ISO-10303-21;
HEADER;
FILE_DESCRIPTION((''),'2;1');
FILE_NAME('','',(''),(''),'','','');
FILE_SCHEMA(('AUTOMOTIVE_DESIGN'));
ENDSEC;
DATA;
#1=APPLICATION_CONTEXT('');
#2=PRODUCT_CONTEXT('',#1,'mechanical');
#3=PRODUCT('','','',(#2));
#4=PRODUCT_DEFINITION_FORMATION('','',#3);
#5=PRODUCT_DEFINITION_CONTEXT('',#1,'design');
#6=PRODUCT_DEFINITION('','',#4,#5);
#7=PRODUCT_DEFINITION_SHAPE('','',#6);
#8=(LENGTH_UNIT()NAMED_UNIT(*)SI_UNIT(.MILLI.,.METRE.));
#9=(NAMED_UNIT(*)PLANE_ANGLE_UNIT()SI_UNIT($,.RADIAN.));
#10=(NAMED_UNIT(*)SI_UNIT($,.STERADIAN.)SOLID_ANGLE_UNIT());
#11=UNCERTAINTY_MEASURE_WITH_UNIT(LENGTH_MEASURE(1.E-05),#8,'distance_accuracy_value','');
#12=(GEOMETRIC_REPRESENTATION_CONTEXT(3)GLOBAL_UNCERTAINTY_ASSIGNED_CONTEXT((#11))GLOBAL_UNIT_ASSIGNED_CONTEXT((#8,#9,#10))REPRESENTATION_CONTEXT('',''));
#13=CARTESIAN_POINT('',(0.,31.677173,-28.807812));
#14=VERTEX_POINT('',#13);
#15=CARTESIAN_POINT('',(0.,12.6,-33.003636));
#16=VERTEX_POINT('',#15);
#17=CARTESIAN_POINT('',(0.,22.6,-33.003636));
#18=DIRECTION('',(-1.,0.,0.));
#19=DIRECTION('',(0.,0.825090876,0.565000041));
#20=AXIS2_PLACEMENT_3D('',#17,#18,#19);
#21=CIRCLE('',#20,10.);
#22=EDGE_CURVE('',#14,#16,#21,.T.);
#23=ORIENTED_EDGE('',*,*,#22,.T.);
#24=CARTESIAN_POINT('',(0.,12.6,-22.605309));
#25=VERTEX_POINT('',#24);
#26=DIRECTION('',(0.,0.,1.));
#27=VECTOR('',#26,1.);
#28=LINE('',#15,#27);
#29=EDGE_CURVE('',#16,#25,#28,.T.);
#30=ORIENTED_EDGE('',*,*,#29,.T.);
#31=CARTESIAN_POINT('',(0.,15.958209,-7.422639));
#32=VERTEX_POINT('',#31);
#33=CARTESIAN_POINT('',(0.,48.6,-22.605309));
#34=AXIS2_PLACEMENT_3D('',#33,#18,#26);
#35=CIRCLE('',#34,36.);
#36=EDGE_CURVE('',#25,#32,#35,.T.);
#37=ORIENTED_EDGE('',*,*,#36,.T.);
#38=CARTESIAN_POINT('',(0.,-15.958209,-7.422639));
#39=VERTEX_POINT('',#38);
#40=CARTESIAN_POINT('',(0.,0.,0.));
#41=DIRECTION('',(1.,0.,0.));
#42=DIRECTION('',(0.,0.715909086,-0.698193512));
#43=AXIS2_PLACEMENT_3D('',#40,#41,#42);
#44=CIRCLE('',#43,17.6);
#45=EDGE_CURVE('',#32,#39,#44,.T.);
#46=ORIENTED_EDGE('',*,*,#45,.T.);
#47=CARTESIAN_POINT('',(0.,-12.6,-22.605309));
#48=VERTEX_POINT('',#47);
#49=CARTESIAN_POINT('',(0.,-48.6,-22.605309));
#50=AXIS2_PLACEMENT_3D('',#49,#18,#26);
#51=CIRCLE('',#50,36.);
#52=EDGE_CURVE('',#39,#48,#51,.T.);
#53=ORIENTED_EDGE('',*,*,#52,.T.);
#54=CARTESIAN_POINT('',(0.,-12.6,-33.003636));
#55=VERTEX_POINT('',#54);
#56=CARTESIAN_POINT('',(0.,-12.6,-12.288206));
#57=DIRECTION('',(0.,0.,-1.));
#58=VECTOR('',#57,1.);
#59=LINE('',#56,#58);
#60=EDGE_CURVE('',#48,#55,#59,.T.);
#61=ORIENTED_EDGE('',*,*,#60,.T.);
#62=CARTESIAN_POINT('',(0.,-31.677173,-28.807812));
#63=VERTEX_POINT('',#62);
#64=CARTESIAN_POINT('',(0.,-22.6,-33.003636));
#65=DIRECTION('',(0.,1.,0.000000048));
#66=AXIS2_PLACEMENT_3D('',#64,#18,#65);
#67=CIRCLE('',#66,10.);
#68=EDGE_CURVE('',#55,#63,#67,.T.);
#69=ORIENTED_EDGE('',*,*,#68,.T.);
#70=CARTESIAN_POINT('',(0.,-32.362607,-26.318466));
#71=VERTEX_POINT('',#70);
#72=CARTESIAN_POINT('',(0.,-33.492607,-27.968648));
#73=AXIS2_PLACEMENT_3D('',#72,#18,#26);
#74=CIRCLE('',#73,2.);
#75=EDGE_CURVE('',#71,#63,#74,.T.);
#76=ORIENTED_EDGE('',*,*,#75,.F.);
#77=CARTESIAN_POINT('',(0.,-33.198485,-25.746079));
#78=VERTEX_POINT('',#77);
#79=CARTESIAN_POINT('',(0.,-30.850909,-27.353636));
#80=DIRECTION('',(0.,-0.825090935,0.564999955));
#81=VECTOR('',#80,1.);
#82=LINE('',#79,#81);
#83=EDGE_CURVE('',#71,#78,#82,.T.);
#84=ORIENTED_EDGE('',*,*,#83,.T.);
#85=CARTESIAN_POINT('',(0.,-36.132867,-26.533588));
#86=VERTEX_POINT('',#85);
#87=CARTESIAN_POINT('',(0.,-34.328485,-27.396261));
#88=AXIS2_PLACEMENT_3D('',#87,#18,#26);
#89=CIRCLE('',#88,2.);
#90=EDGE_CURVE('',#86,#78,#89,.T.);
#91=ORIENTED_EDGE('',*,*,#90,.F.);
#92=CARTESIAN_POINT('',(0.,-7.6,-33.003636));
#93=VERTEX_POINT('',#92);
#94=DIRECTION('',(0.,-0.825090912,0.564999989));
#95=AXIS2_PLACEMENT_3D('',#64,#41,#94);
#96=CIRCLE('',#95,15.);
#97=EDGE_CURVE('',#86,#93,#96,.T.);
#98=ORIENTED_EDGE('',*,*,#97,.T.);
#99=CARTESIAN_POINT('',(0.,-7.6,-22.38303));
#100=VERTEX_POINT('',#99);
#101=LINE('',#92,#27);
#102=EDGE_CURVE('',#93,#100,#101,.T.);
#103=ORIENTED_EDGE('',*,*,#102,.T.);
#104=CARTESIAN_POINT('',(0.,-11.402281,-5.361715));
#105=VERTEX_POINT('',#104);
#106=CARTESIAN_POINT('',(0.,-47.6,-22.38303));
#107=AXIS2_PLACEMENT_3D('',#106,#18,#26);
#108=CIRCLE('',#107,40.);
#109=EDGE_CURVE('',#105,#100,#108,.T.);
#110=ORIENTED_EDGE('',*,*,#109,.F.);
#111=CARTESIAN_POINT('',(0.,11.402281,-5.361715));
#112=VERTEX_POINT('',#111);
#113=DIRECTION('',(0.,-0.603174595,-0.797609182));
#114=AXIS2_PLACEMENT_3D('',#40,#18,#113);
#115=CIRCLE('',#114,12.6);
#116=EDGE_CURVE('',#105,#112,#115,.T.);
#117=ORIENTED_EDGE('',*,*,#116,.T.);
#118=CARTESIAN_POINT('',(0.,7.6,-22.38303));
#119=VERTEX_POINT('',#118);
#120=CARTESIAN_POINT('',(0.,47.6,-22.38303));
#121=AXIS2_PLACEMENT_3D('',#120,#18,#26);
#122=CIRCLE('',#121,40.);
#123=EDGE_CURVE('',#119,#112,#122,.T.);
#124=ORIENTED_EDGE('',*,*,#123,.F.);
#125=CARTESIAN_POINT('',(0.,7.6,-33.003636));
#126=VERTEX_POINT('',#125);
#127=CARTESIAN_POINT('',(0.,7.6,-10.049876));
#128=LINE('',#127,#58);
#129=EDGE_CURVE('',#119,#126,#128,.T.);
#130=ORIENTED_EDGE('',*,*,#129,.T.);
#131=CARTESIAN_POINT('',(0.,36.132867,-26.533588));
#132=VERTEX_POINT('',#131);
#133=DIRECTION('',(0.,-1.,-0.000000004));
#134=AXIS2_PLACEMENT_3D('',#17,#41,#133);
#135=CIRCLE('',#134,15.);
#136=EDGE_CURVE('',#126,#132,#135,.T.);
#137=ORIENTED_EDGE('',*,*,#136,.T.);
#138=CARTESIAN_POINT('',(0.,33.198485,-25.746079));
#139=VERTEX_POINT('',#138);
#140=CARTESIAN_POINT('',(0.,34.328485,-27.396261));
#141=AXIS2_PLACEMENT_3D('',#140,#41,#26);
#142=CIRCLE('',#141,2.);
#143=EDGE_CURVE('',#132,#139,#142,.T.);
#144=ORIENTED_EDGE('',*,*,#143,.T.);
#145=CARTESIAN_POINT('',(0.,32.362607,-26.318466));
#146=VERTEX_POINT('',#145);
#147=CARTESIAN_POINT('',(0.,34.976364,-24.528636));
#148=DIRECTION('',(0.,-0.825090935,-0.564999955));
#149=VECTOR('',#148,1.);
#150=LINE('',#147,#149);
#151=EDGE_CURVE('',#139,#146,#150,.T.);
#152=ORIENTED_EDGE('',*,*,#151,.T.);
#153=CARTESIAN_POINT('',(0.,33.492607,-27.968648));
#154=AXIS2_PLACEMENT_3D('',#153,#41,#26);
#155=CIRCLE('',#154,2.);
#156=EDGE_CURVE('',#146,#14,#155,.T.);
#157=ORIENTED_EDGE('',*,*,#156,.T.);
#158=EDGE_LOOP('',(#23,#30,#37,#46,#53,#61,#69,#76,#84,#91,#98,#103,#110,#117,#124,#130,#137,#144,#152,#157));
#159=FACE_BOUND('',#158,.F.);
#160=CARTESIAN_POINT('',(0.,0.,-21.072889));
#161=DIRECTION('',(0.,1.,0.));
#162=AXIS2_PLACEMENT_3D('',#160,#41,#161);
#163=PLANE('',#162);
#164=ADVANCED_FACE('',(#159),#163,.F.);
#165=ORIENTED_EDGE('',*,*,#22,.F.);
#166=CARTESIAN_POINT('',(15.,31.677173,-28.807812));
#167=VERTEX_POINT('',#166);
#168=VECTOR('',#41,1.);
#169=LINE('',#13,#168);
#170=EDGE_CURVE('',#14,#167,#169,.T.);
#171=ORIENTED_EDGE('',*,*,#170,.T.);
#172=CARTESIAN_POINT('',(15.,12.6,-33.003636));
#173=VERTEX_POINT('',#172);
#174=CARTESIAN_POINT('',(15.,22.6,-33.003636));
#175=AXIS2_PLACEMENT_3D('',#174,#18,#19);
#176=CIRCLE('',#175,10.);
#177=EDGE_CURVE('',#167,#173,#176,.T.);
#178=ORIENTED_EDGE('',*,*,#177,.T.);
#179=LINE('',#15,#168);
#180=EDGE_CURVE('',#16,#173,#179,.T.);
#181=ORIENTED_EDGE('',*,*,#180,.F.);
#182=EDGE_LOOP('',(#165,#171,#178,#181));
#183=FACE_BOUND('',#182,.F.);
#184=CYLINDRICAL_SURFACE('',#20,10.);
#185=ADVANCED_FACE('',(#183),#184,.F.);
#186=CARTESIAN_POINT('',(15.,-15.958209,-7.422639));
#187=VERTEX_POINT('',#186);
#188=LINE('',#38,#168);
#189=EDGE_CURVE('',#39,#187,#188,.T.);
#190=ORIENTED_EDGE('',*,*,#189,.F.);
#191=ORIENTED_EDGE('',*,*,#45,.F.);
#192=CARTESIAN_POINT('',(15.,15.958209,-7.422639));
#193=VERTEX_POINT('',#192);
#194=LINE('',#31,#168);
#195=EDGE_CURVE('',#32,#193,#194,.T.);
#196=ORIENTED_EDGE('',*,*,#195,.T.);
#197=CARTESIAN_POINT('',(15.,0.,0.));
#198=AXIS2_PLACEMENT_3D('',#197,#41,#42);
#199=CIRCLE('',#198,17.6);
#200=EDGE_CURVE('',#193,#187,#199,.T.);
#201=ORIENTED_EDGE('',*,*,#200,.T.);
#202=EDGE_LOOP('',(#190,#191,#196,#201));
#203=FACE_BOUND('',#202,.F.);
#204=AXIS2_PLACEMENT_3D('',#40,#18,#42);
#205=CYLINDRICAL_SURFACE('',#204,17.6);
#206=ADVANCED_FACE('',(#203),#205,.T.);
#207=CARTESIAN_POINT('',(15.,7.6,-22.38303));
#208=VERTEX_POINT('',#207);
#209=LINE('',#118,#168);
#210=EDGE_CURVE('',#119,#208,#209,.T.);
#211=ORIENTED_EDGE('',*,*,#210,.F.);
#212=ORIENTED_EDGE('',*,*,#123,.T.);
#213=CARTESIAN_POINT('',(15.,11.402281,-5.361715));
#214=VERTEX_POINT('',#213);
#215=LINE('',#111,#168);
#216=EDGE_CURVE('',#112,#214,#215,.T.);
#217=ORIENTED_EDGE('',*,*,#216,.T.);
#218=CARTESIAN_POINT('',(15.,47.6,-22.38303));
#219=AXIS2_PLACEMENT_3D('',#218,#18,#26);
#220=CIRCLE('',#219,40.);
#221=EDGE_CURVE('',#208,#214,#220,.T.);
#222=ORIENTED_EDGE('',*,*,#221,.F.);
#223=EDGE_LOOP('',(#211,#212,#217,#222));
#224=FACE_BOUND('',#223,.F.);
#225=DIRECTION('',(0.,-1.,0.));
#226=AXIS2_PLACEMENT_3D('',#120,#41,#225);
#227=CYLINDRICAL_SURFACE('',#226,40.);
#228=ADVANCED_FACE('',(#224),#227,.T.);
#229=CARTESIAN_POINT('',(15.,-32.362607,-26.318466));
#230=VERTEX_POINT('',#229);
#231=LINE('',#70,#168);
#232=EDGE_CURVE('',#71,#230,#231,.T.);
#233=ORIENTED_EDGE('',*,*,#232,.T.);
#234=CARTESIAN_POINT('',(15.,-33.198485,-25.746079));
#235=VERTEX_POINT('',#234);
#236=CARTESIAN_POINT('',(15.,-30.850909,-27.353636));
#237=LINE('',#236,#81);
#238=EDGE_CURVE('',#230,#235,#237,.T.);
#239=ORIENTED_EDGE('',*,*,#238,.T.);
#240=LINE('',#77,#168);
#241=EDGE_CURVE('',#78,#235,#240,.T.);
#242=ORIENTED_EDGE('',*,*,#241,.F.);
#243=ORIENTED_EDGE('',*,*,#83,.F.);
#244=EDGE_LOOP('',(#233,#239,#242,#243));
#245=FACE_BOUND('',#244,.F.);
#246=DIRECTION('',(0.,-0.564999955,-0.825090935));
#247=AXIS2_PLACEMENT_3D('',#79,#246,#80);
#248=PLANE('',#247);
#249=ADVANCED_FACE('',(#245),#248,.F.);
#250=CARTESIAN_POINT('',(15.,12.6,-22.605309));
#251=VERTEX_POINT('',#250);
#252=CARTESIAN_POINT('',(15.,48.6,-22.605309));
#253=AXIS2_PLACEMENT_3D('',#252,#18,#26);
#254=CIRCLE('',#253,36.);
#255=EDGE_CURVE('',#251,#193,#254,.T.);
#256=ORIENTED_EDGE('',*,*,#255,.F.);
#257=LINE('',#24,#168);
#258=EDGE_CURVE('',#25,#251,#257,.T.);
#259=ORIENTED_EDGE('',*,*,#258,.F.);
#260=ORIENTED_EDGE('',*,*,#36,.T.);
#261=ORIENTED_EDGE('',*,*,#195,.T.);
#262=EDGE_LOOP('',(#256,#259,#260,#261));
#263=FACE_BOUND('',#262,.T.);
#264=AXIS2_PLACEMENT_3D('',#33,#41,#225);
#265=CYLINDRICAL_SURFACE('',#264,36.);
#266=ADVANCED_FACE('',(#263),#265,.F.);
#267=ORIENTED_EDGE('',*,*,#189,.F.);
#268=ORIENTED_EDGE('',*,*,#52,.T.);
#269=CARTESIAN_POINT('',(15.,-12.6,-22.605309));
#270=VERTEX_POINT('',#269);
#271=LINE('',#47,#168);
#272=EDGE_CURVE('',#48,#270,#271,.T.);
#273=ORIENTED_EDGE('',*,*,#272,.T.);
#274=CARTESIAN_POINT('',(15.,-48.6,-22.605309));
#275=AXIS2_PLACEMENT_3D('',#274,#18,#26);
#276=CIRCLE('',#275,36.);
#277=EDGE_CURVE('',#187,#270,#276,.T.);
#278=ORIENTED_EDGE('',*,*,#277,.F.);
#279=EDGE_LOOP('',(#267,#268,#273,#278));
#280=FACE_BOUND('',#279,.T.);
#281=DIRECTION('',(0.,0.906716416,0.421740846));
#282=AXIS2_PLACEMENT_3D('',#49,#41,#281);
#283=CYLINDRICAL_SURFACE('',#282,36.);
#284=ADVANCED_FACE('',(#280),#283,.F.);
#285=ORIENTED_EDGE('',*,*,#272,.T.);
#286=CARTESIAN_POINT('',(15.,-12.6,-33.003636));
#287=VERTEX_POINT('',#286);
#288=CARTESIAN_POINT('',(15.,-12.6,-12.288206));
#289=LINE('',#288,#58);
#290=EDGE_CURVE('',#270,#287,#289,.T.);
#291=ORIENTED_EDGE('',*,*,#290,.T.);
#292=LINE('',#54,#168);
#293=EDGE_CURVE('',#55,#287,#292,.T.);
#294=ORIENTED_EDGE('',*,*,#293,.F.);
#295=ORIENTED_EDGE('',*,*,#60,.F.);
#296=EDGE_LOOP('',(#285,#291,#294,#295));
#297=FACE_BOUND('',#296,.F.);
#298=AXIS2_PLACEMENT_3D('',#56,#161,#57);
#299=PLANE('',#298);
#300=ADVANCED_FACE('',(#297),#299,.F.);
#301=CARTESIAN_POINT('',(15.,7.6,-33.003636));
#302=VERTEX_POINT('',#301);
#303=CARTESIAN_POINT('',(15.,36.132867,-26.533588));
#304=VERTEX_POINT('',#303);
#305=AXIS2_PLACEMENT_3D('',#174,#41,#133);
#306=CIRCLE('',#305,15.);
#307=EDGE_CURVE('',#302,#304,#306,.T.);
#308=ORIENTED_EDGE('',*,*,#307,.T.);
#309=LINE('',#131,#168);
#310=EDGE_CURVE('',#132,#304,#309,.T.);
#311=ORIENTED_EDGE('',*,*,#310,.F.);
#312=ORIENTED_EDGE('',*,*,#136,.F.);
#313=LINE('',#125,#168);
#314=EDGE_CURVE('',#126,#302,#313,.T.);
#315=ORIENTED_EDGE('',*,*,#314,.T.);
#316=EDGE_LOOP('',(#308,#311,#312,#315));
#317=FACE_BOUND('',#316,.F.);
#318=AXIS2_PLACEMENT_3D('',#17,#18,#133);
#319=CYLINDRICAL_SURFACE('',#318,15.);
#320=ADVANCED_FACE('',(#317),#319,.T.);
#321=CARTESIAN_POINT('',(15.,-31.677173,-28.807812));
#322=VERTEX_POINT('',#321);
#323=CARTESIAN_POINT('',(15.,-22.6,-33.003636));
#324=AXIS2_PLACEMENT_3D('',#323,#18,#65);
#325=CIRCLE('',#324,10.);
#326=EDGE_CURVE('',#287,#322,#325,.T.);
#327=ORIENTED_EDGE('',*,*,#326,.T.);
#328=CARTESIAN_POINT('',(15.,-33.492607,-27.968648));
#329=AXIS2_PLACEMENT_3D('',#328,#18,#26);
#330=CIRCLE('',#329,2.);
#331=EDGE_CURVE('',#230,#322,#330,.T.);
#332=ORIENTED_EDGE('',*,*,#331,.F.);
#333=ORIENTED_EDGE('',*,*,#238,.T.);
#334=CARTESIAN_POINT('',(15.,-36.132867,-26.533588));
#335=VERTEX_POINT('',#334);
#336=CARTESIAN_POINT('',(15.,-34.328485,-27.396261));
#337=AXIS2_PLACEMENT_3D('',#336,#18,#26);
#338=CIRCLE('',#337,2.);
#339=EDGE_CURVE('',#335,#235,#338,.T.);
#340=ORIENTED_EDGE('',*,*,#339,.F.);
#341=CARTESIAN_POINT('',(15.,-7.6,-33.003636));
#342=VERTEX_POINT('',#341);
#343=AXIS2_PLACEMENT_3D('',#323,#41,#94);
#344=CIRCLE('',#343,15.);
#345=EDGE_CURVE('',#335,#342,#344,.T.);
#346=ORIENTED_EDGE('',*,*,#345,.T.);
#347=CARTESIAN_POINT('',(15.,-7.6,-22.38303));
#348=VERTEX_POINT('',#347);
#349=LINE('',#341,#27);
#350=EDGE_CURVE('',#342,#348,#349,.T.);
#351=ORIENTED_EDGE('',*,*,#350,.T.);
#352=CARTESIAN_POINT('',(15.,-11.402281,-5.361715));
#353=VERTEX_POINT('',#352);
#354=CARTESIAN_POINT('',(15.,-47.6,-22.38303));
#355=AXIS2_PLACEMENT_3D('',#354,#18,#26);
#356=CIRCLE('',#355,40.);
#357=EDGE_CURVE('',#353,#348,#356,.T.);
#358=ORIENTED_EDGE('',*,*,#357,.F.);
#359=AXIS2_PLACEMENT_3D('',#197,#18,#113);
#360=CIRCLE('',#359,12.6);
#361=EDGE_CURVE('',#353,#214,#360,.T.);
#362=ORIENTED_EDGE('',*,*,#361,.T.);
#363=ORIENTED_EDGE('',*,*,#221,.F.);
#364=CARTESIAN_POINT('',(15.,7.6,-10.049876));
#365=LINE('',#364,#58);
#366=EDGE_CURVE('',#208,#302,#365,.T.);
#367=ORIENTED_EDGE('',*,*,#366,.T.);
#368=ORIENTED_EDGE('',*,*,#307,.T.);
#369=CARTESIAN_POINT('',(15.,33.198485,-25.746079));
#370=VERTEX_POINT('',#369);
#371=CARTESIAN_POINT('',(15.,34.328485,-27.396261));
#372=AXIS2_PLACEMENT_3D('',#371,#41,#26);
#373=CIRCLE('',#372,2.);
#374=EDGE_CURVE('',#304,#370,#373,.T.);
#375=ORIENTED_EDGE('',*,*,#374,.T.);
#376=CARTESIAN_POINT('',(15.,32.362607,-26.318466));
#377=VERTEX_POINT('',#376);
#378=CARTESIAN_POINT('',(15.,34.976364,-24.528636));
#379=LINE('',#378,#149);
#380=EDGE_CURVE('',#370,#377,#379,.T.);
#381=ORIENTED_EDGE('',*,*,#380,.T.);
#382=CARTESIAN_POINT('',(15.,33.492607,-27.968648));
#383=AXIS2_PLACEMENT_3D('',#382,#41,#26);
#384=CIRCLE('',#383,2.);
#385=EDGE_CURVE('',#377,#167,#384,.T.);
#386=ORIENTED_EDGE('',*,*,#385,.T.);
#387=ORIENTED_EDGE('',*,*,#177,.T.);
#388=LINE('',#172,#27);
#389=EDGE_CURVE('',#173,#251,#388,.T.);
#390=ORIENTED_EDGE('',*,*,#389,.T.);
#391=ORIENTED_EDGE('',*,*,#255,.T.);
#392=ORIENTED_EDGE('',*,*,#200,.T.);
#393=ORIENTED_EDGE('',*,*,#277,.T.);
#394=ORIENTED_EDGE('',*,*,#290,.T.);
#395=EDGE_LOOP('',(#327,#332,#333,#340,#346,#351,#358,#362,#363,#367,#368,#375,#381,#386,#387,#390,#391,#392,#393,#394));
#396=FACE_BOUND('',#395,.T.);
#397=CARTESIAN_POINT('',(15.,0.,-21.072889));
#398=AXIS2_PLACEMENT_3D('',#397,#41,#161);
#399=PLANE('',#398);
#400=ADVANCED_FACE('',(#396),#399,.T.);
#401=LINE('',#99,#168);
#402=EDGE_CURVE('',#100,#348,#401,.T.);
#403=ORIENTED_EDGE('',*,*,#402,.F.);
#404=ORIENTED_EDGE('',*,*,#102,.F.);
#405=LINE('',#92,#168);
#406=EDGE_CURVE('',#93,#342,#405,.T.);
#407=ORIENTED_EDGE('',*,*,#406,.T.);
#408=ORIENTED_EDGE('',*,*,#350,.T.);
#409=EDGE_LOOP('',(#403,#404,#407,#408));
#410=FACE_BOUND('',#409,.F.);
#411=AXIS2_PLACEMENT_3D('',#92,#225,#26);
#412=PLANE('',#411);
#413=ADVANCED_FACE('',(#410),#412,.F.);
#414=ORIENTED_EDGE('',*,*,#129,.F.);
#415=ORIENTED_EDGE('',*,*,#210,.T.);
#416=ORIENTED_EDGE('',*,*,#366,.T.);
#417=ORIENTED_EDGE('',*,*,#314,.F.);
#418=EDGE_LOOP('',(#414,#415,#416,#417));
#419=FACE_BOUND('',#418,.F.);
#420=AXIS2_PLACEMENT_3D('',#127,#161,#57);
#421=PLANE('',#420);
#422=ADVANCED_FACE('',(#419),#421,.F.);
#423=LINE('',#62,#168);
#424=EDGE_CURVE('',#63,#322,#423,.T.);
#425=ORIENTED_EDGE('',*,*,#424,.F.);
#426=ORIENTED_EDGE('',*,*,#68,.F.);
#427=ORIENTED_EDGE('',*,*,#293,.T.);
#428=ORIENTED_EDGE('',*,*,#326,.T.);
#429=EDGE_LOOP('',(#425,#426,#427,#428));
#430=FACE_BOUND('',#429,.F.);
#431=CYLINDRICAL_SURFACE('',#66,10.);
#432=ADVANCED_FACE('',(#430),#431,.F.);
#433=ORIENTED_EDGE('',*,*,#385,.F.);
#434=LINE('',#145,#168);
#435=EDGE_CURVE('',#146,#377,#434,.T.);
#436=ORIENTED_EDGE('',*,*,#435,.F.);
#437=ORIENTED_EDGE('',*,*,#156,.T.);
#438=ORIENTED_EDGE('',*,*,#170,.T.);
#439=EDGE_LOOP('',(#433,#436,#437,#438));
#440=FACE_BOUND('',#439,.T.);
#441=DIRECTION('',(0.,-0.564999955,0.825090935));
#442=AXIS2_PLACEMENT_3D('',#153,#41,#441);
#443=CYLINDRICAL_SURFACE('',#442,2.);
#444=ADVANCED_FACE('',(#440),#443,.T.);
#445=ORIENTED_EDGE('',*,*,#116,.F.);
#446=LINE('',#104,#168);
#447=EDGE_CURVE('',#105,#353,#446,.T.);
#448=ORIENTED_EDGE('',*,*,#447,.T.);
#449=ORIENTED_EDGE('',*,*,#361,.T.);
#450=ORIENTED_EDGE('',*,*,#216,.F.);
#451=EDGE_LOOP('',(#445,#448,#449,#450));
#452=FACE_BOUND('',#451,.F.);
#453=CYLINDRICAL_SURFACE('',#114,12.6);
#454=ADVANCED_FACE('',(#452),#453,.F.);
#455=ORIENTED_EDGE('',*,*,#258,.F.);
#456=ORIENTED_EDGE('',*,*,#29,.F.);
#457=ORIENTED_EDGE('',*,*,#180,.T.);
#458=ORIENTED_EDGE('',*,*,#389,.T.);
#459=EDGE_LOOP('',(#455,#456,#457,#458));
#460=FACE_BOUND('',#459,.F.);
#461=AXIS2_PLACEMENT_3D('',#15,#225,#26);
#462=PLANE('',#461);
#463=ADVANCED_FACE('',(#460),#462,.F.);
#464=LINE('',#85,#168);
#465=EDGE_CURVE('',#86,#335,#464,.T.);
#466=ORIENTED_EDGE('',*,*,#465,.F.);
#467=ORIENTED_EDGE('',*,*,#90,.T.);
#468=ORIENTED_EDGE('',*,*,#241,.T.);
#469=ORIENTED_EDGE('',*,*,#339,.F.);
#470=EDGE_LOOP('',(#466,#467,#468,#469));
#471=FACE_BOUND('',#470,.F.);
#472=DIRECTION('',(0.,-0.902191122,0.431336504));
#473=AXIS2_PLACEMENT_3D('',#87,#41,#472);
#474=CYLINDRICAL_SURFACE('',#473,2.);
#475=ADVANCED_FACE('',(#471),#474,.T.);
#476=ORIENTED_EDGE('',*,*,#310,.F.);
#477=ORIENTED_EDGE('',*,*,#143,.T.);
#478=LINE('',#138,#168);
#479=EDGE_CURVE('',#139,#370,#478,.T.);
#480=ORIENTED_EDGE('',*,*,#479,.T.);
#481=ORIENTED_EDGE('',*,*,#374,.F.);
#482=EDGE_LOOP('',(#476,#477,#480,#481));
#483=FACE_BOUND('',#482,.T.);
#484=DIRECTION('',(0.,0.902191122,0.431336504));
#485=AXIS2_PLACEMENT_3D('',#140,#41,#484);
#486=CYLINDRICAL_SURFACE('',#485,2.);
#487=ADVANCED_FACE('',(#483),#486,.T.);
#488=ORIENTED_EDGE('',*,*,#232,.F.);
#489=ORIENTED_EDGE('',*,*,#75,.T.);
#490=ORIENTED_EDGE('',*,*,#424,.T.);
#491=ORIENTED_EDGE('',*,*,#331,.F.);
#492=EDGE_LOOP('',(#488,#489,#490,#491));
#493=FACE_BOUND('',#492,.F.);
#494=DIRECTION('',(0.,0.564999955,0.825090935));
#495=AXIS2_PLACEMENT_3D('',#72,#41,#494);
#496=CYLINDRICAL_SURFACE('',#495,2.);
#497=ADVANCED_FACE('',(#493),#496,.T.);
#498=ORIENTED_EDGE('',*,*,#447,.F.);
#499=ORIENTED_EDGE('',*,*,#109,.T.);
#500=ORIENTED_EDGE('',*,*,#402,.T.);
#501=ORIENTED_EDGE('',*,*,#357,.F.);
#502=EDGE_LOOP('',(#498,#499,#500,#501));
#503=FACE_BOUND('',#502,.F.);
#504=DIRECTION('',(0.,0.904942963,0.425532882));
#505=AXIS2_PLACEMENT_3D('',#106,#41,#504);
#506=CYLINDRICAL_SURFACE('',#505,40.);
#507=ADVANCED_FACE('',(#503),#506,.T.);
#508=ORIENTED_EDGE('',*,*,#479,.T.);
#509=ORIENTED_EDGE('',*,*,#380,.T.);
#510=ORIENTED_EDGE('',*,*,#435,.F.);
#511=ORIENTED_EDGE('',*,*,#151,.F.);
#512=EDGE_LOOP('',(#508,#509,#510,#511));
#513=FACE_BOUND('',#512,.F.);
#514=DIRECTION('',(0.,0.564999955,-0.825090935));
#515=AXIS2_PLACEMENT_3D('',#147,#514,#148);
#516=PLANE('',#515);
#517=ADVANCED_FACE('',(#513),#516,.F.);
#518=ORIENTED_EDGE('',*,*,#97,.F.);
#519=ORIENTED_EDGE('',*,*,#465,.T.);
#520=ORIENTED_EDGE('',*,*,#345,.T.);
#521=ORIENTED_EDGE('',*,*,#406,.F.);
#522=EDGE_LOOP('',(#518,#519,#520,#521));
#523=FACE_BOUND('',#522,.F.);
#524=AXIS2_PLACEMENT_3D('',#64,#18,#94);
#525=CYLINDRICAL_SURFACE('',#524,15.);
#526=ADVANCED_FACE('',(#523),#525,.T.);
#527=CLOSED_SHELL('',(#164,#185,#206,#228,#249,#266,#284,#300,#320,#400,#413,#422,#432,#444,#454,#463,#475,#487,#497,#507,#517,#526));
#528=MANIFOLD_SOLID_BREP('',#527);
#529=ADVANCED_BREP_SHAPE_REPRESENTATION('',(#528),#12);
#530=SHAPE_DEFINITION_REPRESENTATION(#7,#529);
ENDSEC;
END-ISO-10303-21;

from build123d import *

# Parameters (mm, degrees)
F2_DEPTH = 15
F3_R     = 36
F4_R     = 40
F5_R     = 2


with BuildPart() as f2:
    # F1 (on Right) → F2 (new body)
    with BuildSketch(Plane.YZ):
        with BuildLine():
            ThreePointArc((-7.6, -10.049876), (0, 12.6), (7.6, -10.049876))
            Line((7.6, -10.049876), (7.6, -33.003636))
            ThreePointArc((7.6, -33.003636), (27.035907, -47.332723), (34.976364, -24.528636))
            Line((34.976364, -24.528636), (30.850909, -27.353636))
            ThreePointArc((30.850909, -27.353636), (25.557272, -42.556361), (12.6, -33.003636))
            Line((12.6, -33.003636), (12.6, -12.288206))
            ThreePointArc((12.6, -12.288206), (0, 17.6), (-12.6, -12.288206))
            Line((-12.6, -12.288206), (-12.6, -33.003636))
            ThreePointArc((-12.6, -33.003636), (-25.557272, -42.556361), (-30.850909, -27.353636))
            Line((-30.850909, -27.353636), (-34.976364, -24.528636))
            ThreePointArc((-34.976364, -24.528636), (-27.035907, -47.332723), (-7.6, -33.003636))
            Line((-7.6, -33.003636), (-7.6, -10.049876))
        make_face()
    extrude(amount=F2_DEPTH)

    # F3
    f3_edges = [f2.edges().sort_by_distance(p)[0] for p in [
        (7.5, 12.6, -12.288206),
        (7.5, -12.6, -12.288206),
    ]]
    fillet(f3_edges, radius=F3_R)

    # F4
    f4_edges = [f2.edges().sort_by_distance(p)[0] for p in [
        (7.5, 7.6, -10.049876),
        (7.5, -7.6, -10.049876),
    ]]
    fillet(f4_edges, radius=F4_R)

    # F5
    f5_edges = [f2.edges().sort_by_distance(p)[0] for p in [
        (7.5, 30.850909, -27.353636),
        (7.5, 34.976364, -24.528636),
        (7.5, -30.850909, -27.353636),
        (7.5, -34.976364, -24.528636),
    ]]
    fillet(f5_edges, radius=F5_R)


solid = f2.part
